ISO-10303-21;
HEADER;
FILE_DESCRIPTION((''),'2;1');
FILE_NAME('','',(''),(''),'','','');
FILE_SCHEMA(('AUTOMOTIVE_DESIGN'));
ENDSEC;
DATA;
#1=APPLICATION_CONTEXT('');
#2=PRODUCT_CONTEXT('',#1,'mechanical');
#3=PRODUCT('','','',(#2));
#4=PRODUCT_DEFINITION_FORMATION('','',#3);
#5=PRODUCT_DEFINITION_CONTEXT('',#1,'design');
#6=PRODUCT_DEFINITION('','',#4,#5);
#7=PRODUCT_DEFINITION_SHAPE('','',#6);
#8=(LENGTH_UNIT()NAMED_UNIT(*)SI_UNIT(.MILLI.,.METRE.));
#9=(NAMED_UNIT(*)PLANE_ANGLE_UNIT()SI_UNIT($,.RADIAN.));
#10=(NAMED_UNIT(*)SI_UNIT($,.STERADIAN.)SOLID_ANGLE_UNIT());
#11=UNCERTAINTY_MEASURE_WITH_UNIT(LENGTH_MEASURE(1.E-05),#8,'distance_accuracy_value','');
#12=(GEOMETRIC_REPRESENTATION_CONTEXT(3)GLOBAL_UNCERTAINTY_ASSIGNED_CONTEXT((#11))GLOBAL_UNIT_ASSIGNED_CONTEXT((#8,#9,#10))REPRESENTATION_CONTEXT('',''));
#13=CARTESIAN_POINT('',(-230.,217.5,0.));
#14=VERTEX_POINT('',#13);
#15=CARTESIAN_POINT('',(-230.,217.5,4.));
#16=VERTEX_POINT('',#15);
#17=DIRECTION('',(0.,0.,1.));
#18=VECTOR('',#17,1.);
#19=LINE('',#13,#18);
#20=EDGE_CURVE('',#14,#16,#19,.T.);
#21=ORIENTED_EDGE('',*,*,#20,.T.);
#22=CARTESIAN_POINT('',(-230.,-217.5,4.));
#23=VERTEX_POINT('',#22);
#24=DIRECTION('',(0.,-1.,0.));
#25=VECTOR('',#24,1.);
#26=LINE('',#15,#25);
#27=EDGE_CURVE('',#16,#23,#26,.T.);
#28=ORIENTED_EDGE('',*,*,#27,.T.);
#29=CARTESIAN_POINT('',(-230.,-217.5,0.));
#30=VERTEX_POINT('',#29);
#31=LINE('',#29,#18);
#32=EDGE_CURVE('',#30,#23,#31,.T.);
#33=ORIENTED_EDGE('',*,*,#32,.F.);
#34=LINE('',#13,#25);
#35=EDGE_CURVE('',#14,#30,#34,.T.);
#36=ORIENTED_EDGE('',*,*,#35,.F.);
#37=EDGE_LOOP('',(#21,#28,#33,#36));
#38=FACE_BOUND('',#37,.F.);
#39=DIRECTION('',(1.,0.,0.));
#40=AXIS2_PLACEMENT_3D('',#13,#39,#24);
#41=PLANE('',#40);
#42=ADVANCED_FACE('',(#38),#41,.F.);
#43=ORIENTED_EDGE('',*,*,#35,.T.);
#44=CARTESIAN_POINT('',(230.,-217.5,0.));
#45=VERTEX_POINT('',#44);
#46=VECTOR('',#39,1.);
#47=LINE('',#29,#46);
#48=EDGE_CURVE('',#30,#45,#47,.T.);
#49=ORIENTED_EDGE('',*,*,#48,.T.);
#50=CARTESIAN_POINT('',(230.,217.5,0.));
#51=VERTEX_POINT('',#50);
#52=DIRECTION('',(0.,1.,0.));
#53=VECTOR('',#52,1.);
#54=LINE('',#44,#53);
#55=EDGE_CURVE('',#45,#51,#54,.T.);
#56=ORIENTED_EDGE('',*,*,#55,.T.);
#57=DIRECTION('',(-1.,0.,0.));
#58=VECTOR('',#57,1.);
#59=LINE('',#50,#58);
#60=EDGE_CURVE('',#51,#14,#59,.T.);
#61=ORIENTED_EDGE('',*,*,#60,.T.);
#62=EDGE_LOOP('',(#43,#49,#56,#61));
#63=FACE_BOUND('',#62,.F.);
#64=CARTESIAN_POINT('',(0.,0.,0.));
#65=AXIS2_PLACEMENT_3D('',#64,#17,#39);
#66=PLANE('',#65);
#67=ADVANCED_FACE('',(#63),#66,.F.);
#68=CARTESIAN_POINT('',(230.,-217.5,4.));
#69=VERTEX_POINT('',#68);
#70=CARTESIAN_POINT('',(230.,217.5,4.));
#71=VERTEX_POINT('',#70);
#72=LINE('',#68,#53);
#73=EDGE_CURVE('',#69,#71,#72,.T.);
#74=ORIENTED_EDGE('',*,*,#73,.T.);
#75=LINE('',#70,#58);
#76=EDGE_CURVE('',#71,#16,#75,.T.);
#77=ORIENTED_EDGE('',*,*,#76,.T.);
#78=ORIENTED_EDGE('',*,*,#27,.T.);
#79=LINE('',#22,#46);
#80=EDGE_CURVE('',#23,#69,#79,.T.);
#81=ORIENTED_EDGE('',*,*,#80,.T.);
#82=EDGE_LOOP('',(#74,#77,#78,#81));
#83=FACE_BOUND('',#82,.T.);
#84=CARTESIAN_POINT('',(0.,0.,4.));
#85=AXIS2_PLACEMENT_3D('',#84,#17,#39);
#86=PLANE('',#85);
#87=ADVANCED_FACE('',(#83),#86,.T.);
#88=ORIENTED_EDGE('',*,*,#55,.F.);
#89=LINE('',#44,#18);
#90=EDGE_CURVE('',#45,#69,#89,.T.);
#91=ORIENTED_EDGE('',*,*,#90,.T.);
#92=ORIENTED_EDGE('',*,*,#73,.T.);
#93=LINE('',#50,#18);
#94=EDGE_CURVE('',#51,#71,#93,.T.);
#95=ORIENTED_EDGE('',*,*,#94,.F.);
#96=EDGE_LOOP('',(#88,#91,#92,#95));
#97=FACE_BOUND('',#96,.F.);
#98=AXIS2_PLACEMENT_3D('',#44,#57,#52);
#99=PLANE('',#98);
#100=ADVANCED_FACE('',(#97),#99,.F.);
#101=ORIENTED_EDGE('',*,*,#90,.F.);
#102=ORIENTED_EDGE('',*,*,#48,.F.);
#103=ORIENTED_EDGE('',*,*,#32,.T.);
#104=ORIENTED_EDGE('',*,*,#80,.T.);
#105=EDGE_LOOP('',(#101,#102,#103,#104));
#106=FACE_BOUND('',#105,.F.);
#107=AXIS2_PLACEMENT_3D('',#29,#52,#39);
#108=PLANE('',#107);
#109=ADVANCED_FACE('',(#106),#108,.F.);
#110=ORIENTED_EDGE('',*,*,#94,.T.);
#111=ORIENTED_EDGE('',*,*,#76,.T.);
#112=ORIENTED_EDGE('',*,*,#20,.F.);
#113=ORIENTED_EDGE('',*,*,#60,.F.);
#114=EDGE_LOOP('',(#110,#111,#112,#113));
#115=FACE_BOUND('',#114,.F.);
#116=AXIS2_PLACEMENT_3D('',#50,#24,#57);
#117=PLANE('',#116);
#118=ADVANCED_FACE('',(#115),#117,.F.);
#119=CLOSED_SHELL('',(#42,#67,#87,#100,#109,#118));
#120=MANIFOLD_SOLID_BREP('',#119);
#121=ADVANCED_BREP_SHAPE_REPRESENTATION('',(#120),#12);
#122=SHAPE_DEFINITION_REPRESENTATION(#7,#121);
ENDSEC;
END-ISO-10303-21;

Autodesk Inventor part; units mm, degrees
ref_plane "YZ Plane" through (0, 0, 0) normal (1, 0, 0) x (0, 1, 0)
ref_plane "XZ Plane" through (0, 0, 0) normal (0, 1, 0) x (-1, 0, 0)
ref_plane "XY Plane" through (0, 0, 0) normal (0, 0, 1) x (1, 0, 0)
sketch "Эскиз5" plane through (0, 0, 0) normal (0, 0, 1) x (1, 0, 0)
  line L0 (-230, -217.5) -> (230, -217.5)
  line L1 (230, -217.5) -> (230, 217.5)
  line L2 (230, 217.5) -> (-230, 217.5)
  line L3 (-230, 217.5) -> (-230, -217.5)
  line L4 (-230, -217.5) -> (230, 217.5) construction
  line L5 (230, -217.5) -> (-230, 217.5) construction
  point P0 (0, 0)
  dimension "d64" = 460
  dimension "d65" = 435
extrude "Пластина2" add sketch "Эскиз5" along normal blind 4
equation "\"Радиус_гибки\" = Толщина"
equation "\"Ширина_просечки\" = Толщина"
equation "\"Глубина_просечки\" = 0.5 * Толщина"
equation "\"Размер_высечки\" = 4 * Толщина"
equation "\"Минимальный_остаток\" = 2 * Толщина"
equation "\"Радиус_перехода\" = Радиус_гибки"
equation "\"Радиус_Якоби\" = Радиус_гибки"
equation "\"Размер_зазора\" = Толщина"
equation "\"d2\" = Радиус_гибки"
equation "\"d66\" = Радиус_гибки"
equation "\"Толщина\" = 4"
properties material "Стекло"
